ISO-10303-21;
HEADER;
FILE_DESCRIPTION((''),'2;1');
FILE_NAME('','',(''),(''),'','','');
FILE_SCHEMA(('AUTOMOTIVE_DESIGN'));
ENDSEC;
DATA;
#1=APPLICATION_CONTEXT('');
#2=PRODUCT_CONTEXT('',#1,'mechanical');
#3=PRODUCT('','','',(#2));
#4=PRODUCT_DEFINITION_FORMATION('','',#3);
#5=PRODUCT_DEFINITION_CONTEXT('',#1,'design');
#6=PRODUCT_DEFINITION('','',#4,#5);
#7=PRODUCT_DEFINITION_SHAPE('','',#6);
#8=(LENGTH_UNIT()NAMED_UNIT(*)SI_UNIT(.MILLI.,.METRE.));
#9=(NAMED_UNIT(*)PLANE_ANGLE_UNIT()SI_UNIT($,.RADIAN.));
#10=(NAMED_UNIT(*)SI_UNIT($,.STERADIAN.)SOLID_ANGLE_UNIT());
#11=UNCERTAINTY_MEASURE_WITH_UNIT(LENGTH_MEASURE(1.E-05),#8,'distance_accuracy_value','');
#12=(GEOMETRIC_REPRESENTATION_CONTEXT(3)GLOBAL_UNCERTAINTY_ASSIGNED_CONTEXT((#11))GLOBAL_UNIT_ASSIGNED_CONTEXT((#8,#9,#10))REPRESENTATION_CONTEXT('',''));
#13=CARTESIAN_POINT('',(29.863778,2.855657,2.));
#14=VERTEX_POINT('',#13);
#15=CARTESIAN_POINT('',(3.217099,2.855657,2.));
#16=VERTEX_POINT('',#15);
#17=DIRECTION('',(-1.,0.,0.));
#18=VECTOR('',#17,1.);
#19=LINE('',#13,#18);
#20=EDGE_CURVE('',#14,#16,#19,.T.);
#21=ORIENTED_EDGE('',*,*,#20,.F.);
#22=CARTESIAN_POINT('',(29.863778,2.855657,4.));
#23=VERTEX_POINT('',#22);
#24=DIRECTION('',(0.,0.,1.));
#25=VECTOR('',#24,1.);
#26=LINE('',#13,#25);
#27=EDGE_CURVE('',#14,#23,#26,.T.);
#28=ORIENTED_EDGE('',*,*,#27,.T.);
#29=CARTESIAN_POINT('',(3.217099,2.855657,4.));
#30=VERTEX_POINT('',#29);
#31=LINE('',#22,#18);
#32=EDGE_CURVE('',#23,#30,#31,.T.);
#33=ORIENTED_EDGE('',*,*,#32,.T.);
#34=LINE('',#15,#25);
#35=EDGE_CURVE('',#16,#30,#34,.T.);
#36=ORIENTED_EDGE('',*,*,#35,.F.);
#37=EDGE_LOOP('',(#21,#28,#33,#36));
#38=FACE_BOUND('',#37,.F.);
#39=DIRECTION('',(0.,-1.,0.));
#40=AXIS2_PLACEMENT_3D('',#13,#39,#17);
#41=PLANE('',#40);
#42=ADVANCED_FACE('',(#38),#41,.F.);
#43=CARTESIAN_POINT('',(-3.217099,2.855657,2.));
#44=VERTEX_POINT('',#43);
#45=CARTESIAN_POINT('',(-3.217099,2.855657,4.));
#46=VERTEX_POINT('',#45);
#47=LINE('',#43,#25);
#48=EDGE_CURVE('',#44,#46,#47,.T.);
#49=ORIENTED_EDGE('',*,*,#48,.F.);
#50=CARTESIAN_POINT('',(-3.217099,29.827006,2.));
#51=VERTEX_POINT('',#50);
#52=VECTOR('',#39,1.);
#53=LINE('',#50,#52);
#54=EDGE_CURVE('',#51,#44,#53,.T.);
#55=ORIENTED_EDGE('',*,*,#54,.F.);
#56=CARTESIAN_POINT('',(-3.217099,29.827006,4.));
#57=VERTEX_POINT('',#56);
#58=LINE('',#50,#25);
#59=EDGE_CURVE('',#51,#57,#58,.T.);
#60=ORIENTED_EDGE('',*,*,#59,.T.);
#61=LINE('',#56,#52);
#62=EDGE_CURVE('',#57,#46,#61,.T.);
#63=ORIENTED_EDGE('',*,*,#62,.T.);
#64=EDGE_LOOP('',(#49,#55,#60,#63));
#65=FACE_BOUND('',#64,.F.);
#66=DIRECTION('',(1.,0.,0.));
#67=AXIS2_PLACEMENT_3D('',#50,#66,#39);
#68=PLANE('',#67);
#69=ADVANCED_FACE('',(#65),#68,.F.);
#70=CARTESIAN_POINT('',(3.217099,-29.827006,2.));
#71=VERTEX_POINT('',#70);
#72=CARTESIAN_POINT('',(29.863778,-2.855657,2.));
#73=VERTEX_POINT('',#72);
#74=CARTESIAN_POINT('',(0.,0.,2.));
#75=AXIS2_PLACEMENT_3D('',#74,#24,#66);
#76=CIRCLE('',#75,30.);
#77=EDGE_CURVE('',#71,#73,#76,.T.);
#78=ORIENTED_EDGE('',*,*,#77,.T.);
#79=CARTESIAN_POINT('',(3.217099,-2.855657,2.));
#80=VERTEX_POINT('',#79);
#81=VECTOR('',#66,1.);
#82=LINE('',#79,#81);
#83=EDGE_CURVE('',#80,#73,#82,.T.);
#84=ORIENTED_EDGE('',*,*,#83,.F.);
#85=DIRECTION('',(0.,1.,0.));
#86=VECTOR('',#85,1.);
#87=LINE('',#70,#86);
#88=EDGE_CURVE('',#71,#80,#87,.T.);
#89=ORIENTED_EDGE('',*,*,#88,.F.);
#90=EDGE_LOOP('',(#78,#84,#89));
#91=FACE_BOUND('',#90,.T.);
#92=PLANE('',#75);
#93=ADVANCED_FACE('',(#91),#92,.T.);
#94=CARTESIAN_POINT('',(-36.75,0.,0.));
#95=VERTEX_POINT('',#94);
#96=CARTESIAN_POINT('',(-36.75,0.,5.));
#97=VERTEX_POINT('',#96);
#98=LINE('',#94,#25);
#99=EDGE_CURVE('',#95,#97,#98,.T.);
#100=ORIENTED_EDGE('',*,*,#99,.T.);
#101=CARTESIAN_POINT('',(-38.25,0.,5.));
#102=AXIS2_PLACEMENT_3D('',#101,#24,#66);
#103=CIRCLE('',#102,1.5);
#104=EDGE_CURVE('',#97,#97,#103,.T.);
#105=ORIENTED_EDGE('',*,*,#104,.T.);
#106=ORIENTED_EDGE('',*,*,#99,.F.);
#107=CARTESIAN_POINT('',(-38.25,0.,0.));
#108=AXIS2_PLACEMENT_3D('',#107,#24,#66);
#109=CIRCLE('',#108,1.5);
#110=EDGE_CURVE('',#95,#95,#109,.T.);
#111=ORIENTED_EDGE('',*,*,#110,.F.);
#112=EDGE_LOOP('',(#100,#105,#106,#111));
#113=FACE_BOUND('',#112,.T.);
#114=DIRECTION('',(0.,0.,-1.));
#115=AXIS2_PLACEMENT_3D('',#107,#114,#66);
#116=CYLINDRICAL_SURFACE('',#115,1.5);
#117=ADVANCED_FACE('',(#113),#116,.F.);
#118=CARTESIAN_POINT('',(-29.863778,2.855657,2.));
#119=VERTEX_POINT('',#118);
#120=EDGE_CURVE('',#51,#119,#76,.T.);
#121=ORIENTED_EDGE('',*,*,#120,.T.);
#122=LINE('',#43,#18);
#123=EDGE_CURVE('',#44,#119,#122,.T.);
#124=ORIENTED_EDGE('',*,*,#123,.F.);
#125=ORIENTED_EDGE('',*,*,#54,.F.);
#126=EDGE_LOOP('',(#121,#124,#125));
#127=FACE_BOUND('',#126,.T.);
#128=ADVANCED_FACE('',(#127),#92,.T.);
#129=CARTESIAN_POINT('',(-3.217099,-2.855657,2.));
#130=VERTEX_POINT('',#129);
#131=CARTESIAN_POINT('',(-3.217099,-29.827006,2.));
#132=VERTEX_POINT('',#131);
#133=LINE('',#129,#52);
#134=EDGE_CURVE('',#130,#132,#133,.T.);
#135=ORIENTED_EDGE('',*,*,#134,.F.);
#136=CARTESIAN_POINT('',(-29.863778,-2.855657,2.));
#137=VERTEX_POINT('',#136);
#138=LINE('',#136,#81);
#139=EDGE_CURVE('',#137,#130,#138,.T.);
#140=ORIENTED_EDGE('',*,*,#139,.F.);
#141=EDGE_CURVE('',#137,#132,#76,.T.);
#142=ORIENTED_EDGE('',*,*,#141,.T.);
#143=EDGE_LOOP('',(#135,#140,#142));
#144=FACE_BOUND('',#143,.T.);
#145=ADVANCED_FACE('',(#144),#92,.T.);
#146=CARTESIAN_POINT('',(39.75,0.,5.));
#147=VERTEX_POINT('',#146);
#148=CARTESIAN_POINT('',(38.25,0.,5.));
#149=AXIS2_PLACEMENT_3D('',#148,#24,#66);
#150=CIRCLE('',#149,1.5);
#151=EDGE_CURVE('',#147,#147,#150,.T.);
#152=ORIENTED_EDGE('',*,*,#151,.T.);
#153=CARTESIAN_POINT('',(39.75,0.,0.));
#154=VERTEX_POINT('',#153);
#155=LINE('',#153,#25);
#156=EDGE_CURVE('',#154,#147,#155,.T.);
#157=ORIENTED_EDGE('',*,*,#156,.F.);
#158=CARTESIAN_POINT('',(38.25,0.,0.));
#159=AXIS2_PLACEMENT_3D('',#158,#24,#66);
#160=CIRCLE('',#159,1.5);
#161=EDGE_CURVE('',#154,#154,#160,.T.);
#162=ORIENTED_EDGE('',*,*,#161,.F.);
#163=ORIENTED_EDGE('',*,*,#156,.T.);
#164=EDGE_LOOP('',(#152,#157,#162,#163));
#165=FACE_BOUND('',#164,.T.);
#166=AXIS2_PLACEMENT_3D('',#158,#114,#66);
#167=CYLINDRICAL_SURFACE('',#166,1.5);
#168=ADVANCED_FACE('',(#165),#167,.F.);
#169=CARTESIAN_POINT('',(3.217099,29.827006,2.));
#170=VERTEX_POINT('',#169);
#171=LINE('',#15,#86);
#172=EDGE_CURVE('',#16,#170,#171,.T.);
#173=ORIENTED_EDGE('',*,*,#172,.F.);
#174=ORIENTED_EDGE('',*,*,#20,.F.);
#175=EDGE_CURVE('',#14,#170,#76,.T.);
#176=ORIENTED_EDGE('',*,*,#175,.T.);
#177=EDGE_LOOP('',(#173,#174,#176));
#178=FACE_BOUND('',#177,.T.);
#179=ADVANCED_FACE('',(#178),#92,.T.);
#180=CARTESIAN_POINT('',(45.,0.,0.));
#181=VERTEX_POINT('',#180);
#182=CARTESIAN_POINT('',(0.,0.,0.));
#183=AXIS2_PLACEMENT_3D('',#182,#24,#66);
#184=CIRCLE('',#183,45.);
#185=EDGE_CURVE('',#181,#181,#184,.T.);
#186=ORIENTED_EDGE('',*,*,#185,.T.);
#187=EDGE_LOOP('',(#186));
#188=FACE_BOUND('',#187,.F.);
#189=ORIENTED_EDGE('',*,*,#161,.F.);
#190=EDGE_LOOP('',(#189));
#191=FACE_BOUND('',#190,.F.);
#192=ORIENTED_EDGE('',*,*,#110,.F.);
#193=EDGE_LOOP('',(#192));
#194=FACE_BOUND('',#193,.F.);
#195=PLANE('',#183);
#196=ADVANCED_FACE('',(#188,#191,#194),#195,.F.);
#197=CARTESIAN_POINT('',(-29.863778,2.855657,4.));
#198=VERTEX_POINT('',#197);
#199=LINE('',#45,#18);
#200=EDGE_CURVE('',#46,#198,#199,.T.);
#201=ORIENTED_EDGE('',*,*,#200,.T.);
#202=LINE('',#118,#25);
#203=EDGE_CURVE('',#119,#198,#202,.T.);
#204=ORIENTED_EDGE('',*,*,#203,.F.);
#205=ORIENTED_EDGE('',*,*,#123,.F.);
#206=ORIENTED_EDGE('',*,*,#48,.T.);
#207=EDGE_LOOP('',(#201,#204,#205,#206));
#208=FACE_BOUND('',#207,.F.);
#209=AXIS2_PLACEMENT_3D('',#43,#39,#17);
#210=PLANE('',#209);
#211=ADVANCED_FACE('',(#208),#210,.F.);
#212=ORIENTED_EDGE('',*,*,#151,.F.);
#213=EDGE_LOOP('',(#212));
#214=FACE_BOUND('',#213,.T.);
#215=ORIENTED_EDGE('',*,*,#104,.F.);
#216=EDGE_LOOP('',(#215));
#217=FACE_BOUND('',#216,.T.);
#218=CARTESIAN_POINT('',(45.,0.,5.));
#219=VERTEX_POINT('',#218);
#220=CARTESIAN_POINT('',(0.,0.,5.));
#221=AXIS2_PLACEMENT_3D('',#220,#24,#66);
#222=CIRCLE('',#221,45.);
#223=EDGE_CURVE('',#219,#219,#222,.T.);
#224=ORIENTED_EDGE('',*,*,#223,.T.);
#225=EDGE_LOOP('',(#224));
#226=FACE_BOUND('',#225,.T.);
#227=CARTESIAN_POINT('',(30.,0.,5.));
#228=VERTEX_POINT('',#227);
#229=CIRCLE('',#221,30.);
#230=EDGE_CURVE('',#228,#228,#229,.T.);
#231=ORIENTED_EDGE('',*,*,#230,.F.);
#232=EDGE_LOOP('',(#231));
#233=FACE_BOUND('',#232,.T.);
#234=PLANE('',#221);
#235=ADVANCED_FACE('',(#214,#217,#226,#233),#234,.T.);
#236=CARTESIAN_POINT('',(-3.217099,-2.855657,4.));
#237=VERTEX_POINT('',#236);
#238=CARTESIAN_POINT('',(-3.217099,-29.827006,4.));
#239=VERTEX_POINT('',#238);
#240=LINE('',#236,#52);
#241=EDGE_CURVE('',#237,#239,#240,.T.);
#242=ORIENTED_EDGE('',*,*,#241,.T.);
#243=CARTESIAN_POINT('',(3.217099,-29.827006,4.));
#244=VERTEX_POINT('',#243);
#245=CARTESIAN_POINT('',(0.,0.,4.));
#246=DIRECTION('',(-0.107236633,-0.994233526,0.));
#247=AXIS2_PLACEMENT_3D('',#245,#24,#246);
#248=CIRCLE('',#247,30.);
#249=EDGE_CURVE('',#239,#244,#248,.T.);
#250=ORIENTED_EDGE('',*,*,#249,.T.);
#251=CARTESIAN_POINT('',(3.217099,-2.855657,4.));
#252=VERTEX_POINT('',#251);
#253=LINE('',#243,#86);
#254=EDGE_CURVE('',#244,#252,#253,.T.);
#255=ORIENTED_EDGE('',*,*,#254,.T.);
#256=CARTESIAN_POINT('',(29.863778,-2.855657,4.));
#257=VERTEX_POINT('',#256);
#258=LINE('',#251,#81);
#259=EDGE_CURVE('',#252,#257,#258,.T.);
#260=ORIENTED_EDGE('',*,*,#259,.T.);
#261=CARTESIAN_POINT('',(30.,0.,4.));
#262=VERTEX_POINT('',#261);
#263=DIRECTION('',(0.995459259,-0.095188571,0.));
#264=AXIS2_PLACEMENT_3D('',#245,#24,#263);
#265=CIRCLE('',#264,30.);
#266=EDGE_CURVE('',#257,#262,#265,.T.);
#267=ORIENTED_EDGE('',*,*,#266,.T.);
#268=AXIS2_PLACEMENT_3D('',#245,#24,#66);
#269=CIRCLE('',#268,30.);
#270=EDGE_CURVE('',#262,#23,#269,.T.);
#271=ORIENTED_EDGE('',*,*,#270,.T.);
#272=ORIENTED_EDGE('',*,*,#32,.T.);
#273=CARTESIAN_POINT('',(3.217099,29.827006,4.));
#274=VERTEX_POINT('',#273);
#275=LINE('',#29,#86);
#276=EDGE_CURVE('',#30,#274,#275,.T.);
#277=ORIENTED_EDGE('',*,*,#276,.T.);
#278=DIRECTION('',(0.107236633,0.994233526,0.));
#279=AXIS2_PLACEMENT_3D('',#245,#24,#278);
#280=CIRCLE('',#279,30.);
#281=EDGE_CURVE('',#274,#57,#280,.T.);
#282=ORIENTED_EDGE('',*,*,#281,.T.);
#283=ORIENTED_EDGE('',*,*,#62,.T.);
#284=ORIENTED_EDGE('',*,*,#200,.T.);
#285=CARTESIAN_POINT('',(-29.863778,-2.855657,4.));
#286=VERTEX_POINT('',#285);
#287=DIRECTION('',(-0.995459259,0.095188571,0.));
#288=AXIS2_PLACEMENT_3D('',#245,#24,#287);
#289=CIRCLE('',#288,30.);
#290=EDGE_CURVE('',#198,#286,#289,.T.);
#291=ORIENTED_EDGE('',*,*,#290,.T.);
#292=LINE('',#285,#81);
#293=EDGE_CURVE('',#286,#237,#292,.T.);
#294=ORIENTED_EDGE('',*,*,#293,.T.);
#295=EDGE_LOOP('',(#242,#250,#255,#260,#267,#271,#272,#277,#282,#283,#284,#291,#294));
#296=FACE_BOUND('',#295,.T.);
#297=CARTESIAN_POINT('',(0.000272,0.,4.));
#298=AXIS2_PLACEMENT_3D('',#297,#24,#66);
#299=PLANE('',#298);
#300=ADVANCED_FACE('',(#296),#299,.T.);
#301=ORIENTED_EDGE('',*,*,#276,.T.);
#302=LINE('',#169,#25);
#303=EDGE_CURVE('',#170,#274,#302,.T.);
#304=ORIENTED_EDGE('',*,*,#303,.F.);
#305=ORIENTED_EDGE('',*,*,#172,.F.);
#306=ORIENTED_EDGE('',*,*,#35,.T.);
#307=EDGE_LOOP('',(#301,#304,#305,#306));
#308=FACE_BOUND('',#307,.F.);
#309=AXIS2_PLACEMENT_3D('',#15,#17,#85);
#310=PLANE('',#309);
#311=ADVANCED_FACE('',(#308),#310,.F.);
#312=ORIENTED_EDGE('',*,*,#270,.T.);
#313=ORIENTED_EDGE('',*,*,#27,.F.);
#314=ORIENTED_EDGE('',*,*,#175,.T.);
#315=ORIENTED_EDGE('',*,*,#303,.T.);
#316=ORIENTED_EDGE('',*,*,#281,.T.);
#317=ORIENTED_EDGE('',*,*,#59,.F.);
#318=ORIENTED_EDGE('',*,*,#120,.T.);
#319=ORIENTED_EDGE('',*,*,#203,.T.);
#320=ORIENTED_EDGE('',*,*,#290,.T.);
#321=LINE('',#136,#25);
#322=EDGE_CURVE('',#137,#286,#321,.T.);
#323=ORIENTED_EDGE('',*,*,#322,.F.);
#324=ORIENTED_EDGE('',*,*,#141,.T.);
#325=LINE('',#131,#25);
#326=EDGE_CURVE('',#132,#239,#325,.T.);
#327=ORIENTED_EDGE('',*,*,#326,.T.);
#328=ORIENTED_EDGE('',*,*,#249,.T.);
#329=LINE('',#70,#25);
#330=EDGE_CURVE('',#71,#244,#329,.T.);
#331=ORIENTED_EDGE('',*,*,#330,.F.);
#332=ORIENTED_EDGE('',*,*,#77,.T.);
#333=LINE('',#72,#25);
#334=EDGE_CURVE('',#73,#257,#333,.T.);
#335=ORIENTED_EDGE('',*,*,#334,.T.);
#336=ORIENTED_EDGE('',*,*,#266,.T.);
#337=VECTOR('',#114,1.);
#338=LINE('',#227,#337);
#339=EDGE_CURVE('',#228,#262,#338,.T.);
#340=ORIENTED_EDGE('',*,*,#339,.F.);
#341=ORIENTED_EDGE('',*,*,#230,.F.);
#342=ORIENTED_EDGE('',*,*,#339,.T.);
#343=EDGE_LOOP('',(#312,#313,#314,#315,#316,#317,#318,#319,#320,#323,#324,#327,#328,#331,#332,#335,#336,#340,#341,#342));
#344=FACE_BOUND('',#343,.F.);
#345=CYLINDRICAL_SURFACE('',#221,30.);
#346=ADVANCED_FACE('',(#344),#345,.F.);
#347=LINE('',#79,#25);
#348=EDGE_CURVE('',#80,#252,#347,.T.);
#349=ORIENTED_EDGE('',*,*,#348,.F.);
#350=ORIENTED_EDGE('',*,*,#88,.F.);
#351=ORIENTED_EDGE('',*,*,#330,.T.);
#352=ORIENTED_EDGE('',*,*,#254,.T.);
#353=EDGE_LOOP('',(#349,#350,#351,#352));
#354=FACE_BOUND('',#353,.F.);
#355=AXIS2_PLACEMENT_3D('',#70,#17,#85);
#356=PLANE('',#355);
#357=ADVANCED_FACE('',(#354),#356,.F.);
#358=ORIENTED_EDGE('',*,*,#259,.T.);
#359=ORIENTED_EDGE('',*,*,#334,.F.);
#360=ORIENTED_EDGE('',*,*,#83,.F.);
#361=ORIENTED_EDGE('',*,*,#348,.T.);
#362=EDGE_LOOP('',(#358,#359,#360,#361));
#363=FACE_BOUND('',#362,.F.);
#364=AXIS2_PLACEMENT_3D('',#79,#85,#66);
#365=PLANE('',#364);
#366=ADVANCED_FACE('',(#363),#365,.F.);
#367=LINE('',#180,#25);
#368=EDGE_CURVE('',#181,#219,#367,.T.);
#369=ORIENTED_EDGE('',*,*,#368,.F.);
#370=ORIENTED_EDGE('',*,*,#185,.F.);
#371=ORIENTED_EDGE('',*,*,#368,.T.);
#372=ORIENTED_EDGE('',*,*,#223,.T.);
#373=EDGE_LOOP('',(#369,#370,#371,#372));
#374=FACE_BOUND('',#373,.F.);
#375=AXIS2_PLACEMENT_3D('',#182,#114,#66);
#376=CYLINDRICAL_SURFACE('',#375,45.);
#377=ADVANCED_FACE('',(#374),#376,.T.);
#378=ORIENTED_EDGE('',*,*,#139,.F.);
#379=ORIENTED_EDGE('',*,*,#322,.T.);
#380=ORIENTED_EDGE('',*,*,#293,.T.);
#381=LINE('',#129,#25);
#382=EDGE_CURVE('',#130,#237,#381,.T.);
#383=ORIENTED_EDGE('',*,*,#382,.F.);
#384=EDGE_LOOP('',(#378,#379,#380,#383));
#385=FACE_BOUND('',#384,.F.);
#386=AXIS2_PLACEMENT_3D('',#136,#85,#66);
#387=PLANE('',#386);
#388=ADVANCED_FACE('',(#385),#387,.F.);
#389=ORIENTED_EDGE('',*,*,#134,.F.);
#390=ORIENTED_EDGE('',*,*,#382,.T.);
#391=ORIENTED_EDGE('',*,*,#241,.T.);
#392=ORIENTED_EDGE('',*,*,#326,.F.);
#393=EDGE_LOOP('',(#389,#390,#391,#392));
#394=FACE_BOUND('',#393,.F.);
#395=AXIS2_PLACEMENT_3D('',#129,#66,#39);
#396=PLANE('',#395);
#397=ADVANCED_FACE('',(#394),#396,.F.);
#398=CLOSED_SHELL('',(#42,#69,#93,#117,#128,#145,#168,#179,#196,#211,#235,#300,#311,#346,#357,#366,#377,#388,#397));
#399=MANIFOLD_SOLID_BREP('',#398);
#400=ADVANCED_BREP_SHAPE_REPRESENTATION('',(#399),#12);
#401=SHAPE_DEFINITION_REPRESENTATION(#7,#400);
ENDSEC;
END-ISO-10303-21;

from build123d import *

# Parameters (mm, degrees)
F0_R     = 45
F0_R_2   = 1.5
F1_DEPTH = 5
F2_R     = 30
F3_DEPTH = 3
F5_DEPTH = 2


with BuildPart() as f1:
    # F0 (on Top) → F1 (new body)
    with BuildSketch(Plane.XY):
        Circle(F0_R)
        with Locations((-38.25, 0)):
            Circle(F0_R_2, mode=Mode.SUBTRACT)
        with Locations((38.25, 0)):
            Circle(F0_R_2, mode=Mode.SUBTRACT)
    extrude(amount=F1_DEPTH)

    # F2 (on face) → F3 (cut)
    with BuildSketch(Plane.XY.offset(5)):
        Circle(F2_R)
    extrude(amount=-F3_DEPTH, mode=Mode.SUBTRACT)

    # F4 (on face) → F5 (join)
    with BuildSketch(Plane.XY.offset(2)):
        with BuildLine():
            Line((-3.2170990016, 29.8270057836), (-3.2170990016, 2.8556571342))
            Line((-3.2170990016, 2.8556571342), (-29.8637777639, 2.8556571342))
            ThreePointArc((-29.8637777639, 2.8556571342), (-30, 0), (-29.8637777639, -2.8556571342))
            Line((-29.8637777639, -2.8556571342), (-3.2170990016, -2.8556571342))
            Line((-3.2170990016, -2.8556571342), (-3.2170990016, -29.8270057836))
            ThreePointArc((-3.2170990016, -29.8270057836), (0, -30), (3.2170990016, -29.8270057836))
            Line((3.2170990016, -29.8270057836), (3.2170990016, -2.8556571342))
            Line((3.2170990016, -2.8556571342), (29.8637777639, -2.8556571342))
            ThreePointArc((29.8637777639, -2.8556571342), (29.9659250893, -1.4294521823), (30, 0))
            ThreePointArc((30, 0), (29.9659250893, 1.4294521823), (29.8637777639, 2.8556571342))
            Line((29.8637777639, 2.8556571342), (3.2170990016, 2.8556571342))
            Line((3.2170990016, 2.8556571342), (3.2170990016, 29.8270057836))
            ThreePointArc((3.2170990016, 29.8270057836), (0, 30), (-3.2170990016, 29.8270057836))
        make_face()
    extrude(amount=F5_DEPTH)


solid = f1.part
